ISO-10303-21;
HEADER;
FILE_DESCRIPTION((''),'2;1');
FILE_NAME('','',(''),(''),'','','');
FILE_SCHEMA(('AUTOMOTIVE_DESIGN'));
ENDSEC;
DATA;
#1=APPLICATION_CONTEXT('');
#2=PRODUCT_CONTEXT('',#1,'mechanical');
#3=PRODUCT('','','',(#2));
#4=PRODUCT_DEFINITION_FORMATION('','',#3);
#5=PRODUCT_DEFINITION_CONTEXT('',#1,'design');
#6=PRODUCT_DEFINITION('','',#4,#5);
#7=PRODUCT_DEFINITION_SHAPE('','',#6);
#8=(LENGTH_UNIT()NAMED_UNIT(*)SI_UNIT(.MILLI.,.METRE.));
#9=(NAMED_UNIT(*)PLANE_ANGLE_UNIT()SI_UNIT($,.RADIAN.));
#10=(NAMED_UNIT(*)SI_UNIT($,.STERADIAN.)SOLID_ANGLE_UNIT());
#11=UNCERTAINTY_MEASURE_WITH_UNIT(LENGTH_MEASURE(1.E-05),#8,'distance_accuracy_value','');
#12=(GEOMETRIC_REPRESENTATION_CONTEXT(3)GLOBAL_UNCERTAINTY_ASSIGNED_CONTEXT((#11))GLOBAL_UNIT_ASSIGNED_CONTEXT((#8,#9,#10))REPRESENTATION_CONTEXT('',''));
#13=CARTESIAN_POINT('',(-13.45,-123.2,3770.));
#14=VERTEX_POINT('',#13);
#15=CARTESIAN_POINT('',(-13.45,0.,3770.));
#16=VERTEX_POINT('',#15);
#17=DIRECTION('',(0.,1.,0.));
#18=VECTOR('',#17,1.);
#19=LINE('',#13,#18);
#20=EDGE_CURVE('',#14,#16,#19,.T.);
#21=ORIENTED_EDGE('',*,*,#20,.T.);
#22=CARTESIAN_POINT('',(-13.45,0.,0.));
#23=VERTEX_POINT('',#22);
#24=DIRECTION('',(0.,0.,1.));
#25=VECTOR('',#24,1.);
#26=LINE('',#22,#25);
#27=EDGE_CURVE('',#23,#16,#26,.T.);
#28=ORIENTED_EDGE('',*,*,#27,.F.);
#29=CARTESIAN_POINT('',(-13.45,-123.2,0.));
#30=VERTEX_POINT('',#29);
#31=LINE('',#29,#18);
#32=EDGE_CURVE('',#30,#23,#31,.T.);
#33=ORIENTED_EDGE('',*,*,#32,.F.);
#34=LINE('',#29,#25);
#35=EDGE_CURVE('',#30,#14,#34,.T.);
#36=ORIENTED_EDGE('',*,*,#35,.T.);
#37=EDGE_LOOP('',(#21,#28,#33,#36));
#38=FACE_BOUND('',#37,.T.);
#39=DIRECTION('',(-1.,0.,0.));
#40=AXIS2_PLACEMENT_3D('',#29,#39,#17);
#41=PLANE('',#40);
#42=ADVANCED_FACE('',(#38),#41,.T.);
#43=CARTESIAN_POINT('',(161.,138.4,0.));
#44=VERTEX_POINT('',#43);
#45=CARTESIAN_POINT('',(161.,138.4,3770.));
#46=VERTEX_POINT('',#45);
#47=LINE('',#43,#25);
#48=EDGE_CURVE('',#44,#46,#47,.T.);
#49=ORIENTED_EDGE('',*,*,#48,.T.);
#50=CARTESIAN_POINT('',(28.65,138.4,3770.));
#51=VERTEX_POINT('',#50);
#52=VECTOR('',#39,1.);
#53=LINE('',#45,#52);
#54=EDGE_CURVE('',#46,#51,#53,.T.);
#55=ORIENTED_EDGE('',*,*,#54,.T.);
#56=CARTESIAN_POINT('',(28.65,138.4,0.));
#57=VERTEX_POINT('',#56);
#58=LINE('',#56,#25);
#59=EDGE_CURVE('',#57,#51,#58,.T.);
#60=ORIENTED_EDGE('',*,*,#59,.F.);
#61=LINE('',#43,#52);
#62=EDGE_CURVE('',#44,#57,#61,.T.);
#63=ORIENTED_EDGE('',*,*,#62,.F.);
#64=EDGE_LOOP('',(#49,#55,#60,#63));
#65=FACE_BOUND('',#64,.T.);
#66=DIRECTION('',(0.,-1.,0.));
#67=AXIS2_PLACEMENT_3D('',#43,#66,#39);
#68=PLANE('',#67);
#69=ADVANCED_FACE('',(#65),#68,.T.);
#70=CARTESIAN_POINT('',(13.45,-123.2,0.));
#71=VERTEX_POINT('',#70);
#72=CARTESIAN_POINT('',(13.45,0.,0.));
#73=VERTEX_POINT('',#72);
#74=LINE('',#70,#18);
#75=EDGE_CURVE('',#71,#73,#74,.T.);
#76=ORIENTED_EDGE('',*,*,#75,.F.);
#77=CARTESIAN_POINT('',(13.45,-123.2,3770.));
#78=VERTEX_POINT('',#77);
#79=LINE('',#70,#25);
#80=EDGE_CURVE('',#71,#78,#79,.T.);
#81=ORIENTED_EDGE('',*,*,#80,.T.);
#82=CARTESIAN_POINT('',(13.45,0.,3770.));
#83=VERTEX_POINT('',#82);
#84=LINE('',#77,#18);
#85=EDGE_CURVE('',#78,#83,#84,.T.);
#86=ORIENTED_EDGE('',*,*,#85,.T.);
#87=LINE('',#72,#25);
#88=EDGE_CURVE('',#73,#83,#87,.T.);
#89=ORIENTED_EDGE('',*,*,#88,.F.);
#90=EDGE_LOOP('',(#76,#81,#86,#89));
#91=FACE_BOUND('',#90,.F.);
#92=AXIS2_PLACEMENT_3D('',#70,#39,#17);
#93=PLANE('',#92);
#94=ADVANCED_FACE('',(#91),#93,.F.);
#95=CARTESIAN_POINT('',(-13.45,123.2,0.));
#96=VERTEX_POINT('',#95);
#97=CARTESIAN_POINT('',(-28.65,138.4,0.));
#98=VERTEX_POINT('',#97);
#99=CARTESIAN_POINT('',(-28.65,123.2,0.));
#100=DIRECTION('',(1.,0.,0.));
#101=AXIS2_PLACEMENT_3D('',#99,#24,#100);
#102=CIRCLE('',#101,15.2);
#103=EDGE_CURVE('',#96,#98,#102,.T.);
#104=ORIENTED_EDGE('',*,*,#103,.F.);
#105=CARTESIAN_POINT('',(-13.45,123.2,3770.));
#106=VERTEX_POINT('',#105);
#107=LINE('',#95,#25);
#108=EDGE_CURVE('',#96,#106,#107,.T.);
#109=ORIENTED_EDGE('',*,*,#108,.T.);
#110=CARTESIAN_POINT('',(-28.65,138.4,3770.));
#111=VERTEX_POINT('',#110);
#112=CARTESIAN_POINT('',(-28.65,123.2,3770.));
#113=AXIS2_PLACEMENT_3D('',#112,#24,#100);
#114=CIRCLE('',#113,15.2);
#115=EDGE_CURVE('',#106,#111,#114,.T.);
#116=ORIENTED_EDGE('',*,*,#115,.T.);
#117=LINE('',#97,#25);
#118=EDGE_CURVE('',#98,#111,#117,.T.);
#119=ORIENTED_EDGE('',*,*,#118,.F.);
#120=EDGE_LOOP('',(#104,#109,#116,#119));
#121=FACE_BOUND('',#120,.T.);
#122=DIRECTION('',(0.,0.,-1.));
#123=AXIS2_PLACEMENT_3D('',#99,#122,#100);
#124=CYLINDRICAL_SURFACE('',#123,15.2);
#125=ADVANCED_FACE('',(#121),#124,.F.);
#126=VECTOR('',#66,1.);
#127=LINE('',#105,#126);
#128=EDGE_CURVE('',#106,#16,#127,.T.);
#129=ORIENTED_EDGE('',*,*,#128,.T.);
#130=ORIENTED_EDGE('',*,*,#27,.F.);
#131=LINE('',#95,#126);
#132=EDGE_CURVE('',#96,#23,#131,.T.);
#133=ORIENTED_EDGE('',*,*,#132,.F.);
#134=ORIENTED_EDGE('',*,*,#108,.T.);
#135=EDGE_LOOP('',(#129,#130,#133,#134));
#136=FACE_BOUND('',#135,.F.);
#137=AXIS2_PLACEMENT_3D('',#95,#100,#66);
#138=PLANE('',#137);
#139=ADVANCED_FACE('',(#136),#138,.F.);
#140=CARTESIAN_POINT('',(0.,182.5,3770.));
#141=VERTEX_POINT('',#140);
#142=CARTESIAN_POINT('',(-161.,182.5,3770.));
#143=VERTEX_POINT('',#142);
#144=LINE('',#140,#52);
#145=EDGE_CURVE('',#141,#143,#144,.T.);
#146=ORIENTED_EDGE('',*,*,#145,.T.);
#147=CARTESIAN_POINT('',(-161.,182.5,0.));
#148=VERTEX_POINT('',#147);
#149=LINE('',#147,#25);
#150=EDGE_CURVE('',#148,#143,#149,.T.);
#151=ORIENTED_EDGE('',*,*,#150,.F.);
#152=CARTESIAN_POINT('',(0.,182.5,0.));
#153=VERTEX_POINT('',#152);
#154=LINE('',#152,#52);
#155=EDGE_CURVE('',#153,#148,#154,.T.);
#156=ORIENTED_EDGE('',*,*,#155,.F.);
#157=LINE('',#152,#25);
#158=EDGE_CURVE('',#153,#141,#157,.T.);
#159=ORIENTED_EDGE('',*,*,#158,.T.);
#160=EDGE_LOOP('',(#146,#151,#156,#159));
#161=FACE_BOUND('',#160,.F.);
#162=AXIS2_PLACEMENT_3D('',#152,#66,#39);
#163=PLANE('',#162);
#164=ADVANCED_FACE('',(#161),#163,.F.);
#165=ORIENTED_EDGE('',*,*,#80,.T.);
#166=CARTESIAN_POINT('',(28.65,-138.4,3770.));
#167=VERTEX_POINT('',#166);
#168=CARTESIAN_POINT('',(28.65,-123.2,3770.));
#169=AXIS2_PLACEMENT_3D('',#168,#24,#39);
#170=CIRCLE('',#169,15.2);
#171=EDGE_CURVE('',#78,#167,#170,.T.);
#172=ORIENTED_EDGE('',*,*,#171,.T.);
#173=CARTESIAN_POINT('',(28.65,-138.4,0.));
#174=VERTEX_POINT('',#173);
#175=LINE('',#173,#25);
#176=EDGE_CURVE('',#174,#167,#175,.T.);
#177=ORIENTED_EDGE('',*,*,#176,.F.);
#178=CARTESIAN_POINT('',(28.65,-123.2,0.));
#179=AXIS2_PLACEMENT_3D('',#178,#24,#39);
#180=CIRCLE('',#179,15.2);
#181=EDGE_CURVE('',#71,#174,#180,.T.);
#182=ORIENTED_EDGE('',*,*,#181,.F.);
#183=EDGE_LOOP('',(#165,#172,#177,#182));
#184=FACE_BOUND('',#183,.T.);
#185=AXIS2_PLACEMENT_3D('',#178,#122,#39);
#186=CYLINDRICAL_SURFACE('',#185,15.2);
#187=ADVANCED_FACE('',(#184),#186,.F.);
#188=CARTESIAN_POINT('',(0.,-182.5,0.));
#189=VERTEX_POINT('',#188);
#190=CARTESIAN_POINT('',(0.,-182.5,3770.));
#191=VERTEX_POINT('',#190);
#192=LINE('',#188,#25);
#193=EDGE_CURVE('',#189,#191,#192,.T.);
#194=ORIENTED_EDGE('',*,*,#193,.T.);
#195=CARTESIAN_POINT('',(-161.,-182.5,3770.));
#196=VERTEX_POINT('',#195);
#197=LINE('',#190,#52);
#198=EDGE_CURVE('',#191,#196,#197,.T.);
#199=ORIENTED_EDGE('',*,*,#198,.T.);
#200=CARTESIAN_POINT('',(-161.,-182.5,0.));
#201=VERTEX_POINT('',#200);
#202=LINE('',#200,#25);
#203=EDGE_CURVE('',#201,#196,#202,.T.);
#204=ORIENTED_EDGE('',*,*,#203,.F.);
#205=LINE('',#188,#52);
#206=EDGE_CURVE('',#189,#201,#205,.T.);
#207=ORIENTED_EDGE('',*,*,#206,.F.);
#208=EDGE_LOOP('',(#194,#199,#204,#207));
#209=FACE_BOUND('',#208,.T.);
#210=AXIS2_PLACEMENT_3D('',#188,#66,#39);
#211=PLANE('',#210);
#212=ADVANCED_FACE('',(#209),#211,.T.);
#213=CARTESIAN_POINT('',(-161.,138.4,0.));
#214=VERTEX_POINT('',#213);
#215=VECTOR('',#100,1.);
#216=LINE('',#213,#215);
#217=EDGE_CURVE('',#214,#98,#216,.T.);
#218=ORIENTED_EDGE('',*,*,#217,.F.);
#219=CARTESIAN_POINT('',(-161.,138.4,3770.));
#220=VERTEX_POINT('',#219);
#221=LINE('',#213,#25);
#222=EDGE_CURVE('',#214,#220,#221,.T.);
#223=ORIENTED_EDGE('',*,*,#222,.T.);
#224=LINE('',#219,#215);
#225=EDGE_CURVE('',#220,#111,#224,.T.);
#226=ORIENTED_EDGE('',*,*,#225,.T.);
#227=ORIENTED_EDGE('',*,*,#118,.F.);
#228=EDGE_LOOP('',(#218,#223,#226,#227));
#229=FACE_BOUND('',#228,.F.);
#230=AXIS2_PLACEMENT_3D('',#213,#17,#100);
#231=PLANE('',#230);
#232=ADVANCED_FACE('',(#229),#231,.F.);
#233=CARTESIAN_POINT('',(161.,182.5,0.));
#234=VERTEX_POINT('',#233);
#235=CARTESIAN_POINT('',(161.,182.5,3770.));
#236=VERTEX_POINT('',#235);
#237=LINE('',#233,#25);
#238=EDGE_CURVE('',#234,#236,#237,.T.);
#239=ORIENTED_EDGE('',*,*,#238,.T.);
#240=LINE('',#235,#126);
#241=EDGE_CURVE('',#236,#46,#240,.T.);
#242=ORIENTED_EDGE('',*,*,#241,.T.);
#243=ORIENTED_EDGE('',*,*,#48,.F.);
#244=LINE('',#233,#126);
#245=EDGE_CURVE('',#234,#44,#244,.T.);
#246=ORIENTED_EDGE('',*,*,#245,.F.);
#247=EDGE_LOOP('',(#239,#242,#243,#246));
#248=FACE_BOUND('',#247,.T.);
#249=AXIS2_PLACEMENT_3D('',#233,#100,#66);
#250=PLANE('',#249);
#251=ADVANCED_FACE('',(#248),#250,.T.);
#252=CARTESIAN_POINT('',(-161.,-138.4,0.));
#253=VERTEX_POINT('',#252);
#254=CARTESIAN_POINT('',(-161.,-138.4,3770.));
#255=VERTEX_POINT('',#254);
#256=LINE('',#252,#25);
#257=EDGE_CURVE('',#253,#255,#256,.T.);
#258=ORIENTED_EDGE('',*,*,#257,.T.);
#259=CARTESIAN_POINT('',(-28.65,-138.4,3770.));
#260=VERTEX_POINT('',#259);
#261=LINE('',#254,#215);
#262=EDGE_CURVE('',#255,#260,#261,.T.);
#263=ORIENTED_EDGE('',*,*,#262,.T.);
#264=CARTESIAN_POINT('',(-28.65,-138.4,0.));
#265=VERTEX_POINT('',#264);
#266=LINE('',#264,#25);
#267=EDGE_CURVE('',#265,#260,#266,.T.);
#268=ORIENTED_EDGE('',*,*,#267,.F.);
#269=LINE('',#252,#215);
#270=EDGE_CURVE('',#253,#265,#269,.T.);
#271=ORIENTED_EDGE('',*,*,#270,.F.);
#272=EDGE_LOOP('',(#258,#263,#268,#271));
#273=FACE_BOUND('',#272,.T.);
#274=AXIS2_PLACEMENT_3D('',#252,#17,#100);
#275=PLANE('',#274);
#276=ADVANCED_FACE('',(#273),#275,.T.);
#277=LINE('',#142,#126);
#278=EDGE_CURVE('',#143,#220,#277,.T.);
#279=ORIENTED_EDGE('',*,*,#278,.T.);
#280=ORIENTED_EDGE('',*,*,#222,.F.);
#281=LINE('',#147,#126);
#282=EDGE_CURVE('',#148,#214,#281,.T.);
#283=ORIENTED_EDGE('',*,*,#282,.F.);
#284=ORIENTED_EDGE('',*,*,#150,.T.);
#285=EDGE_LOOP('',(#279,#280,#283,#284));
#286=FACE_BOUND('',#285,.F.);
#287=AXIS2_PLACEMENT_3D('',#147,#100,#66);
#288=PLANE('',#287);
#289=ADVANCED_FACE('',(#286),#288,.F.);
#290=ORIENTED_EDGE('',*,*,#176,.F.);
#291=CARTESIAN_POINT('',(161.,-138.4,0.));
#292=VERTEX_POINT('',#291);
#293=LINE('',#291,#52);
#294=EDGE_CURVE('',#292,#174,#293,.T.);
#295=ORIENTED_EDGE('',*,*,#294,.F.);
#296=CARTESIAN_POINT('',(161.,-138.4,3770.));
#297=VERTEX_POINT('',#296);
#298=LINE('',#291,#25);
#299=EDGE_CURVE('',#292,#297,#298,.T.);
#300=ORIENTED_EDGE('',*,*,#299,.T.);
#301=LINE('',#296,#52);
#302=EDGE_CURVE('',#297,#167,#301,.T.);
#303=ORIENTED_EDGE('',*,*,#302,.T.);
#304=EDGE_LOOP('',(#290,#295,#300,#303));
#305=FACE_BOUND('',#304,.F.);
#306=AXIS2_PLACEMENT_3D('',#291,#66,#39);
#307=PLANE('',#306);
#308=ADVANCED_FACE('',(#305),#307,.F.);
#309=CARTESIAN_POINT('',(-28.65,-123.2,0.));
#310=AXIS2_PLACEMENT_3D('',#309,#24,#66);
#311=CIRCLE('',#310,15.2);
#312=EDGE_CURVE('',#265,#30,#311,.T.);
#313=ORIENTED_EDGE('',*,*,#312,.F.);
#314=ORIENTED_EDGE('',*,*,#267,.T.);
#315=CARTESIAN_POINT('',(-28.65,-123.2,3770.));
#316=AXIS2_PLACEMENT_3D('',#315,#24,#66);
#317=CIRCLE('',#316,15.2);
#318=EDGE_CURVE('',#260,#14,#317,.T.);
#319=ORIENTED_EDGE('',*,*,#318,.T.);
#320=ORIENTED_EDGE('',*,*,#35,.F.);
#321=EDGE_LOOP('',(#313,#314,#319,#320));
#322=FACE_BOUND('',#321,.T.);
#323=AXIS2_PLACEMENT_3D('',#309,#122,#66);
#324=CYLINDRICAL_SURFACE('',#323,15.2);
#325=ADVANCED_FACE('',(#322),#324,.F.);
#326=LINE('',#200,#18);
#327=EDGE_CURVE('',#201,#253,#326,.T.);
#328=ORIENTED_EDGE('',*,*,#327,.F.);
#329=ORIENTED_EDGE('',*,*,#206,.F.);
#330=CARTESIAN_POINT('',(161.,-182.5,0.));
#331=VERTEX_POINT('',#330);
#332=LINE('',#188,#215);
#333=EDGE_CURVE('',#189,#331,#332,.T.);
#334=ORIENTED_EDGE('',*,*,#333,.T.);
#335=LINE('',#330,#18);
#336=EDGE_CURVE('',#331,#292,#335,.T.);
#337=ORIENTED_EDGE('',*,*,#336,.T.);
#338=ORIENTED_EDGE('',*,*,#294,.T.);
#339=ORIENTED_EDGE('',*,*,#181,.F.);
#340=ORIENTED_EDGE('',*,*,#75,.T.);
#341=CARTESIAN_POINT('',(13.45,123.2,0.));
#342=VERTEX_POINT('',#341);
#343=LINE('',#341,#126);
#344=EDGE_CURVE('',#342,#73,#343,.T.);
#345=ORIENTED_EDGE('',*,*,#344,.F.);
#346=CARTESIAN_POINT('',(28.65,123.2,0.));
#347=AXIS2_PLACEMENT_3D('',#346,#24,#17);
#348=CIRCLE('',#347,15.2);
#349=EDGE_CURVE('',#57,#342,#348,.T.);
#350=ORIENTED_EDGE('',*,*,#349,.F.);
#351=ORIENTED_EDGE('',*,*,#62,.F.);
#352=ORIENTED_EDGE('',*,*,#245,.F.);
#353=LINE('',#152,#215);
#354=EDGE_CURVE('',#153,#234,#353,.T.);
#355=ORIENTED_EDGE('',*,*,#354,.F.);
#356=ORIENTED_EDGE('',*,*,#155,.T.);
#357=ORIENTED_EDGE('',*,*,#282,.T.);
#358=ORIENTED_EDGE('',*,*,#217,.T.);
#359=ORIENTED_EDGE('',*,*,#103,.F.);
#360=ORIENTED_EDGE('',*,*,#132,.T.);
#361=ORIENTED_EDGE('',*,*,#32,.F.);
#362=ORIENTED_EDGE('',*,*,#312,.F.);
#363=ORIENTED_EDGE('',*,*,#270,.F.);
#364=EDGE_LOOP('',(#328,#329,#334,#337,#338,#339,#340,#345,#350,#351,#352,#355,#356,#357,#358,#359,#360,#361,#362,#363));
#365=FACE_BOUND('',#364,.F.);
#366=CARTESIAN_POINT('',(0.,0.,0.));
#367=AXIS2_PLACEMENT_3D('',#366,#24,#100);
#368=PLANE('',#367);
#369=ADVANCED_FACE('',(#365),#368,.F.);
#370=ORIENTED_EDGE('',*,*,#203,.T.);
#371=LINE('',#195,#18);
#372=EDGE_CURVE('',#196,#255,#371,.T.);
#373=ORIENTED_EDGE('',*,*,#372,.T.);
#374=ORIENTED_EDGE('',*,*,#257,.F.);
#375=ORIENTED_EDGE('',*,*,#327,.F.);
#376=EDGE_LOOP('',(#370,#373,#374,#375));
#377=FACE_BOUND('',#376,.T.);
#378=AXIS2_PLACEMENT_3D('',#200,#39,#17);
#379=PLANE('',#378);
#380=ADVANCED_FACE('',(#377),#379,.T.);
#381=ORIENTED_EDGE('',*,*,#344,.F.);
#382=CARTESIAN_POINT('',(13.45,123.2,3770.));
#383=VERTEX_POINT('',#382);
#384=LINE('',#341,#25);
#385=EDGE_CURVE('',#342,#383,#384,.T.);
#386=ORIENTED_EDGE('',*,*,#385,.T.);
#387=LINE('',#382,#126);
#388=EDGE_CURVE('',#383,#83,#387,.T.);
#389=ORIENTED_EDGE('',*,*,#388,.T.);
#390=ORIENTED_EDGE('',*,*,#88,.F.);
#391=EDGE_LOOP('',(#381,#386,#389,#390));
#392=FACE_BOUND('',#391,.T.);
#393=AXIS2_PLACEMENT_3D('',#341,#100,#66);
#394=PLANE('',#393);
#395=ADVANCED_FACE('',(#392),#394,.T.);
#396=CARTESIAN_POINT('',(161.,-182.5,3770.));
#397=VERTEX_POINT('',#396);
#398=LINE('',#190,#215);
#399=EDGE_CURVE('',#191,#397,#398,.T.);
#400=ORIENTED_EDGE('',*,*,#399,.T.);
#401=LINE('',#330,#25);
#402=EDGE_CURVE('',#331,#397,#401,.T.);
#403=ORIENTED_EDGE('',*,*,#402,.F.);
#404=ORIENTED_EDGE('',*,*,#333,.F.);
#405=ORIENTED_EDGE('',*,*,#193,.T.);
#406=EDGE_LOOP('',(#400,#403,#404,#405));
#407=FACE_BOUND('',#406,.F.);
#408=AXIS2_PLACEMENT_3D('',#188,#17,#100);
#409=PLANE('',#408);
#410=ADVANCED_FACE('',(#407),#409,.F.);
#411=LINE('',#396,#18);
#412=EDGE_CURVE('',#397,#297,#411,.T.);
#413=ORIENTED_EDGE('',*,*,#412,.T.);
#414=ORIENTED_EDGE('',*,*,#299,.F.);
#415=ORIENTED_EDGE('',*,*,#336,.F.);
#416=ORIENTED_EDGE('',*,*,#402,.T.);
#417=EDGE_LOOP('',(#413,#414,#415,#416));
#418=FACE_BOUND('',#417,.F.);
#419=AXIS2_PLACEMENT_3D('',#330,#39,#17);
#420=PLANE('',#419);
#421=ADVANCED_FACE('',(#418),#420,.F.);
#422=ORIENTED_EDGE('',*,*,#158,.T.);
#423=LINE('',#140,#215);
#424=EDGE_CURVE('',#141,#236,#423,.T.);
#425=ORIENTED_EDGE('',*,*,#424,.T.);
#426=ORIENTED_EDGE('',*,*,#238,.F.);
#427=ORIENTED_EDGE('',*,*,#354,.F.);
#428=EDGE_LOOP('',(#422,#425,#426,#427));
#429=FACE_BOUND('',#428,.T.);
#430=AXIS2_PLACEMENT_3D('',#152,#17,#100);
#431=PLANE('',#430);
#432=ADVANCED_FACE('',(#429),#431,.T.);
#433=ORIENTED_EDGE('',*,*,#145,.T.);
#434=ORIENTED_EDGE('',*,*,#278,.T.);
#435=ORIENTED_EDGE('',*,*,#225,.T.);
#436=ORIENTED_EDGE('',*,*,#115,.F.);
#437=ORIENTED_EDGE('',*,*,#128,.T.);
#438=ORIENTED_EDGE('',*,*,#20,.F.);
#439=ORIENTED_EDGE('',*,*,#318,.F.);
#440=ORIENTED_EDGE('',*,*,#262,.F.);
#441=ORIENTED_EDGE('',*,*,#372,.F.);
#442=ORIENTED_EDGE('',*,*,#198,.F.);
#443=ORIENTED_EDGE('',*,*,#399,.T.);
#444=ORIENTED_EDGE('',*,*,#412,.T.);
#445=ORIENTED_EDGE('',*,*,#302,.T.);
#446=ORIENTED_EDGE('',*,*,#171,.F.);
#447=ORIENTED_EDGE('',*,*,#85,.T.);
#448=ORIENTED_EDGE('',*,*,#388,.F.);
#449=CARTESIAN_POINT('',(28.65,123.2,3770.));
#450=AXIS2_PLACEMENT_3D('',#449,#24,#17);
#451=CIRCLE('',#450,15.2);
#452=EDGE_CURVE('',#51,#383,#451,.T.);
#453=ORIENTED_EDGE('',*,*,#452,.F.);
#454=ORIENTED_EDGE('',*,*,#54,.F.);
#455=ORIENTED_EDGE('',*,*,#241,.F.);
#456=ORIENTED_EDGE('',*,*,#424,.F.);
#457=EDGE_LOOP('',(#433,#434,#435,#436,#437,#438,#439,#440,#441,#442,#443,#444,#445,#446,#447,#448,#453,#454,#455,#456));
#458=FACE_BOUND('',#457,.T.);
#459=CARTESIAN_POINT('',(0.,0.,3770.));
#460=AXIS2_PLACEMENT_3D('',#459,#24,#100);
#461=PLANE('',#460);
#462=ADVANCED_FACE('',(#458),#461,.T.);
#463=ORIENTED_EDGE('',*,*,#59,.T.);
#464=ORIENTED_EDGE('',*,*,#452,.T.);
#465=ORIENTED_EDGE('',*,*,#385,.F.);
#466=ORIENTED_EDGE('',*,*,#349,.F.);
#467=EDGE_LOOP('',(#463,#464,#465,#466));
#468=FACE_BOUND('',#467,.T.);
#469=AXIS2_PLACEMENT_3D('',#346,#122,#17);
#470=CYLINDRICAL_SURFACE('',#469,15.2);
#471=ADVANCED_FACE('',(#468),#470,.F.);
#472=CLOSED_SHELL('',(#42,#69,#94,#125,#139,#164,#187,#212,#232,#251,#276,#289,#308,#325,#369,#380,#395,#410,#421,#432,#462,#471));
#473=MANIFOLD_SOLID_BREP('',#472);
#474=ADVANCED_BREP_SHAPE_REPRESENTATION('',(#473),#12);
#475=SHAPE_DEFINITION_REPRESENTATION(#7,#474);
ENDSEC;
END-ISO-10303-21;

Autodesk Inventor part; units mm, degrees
ref_plane "YZ Plane" through (0, 0, 0) normal (1, 0, 0) x (0, 1, 0)
ref_plane "Start plane" through (0, 0, 0) normal (0, 0, 1) x (1, 0, 0)
ref_plane "End plane" through (0, 0, 3770) normal (0, 0, 1) x (1, 0, 0)
sketch "Sketch" plane through (0, 0, 0) normal (0, 0, 1) x (1, 0, 0)
  line L0 (-161, -182.5) -> (-161, -138.4)
  line L1 (-161, -138.4) -> (-28.65, -138.4)
  line L2 (-13.45, -123.2) -> (-13.45, 0)
  line L3 (-13.45, 0) -> (0, 0) construction
  line L4 (0, 0) -> (0, -182.5) construction
  line L5 (0, -182.5) -> (-161, -182.5)
  line L6 (-60, 0) -> (80, 0) construction
  line L7 (0, -60) -> (0, 80) construction
  line L8 (161, -182.5) -> (161, -138.4)
  line L9 (161, -138.4) -> (28.65, -138.4)
  line L10 (13.45, -123.2) -> (13.45, 0)
  line L11 (13.45, 0) -> (0, 0) construction
  line L12 (0, -182.5) -> (161, -182.5)
  line L13 (-161, 182.5) -> (-161, 138.4)
  line L14 (-161, 138.4) -> (-28.65, 138.4)
  line L15 (-13.45, 123.2) -> (-13.45, 0)
  line L16 (0, 182.5) -> (-161, 182.5)
  line L17 (161, 182.5) -> (161, 138.4)
  line L18 (161, 138.4) -> (28.65, 138.4)
  line L19 (0, 182.5) -> (161, 182.5)
  line L20 (13.45, 123.2) -> (13.45, 0)
  arc A0 (-13.45, 123.2) -> (-28.65, 138.4) centre (-28.65, 123.2) ccw
  arc A1 (28.65, 138.4) -> (13.45, 123.2) centre (28.65, 123.2) ccw
  arc A2 (13.45, -123.2) -> (28.65, -138.4) centre (28.65, -123.2) ccw
  arc A3 (-28.65, -138.4) -> (-13.45, -123.2) centre (-28.65, -123.2) ccw
  line L21 (0, 108) -> (0, -88) construction
  line L22 (-88, 0) -> (108, 0) construction
  point P0 (-13.45, -138.4)
  point P1 (13.45, -138.4)
  point P2 (-13.45, 138.4)
  point P3 (13.45, 138.4)
  dimension "d1" = 182.5
  dimension "d2" = 44.1
  dimension "d3" = 161
  dimension "d4" = 13.45
  dimension "d10" = 15.2
extrude "Body" add sketch "Sketch" along normal up to surface (3770 mm away) from surface at 0
sketch "Sketch4" plane through (0, 0, 0) normal (0, 0, 1) x (1, 0, 0)
  line L0 (0, 0) -> (10, 0)
ref_plane "Work Plane3" through (0, 0, 0) normal (0, -1, 0) x (1, 0, 0)
sketch "Sketch5" plane through (0, 0, 0) normal (0, -1, 0) x (1, 0, 0)
  line L0 (-2, 0) -> (12, 0) projected
  line L1 (-2, 3770) -> (12, 3770) projected
  dimension "d14" = 3770
equation "\"d1\" = 0.5 * G_H"
equation "\"d2\" = G_T1"
equation "\"d3\" = 0.5 * G_W"
equation "\"d4\" = 0.5 * G_T"
equation "\"d10\" = G_IR"
equation "\"d5\" = G_L"
equation "\"G_W\" = 322"
equation "\"G_H\" = 365"
equation "\"G_T\" = 26.9"
equation "\"G_T1\" = 44.1"
equation "\"G_IR\" = 15.2"
equation "\"G_L\" = d14"
equation "\"G_OFFSET_START\" = 0"
equation "\"G_OFFSET_END\" = 0"
properties part number "AS 3679 - 310 UC - 283 - 3770" material "Steel, Mild"
